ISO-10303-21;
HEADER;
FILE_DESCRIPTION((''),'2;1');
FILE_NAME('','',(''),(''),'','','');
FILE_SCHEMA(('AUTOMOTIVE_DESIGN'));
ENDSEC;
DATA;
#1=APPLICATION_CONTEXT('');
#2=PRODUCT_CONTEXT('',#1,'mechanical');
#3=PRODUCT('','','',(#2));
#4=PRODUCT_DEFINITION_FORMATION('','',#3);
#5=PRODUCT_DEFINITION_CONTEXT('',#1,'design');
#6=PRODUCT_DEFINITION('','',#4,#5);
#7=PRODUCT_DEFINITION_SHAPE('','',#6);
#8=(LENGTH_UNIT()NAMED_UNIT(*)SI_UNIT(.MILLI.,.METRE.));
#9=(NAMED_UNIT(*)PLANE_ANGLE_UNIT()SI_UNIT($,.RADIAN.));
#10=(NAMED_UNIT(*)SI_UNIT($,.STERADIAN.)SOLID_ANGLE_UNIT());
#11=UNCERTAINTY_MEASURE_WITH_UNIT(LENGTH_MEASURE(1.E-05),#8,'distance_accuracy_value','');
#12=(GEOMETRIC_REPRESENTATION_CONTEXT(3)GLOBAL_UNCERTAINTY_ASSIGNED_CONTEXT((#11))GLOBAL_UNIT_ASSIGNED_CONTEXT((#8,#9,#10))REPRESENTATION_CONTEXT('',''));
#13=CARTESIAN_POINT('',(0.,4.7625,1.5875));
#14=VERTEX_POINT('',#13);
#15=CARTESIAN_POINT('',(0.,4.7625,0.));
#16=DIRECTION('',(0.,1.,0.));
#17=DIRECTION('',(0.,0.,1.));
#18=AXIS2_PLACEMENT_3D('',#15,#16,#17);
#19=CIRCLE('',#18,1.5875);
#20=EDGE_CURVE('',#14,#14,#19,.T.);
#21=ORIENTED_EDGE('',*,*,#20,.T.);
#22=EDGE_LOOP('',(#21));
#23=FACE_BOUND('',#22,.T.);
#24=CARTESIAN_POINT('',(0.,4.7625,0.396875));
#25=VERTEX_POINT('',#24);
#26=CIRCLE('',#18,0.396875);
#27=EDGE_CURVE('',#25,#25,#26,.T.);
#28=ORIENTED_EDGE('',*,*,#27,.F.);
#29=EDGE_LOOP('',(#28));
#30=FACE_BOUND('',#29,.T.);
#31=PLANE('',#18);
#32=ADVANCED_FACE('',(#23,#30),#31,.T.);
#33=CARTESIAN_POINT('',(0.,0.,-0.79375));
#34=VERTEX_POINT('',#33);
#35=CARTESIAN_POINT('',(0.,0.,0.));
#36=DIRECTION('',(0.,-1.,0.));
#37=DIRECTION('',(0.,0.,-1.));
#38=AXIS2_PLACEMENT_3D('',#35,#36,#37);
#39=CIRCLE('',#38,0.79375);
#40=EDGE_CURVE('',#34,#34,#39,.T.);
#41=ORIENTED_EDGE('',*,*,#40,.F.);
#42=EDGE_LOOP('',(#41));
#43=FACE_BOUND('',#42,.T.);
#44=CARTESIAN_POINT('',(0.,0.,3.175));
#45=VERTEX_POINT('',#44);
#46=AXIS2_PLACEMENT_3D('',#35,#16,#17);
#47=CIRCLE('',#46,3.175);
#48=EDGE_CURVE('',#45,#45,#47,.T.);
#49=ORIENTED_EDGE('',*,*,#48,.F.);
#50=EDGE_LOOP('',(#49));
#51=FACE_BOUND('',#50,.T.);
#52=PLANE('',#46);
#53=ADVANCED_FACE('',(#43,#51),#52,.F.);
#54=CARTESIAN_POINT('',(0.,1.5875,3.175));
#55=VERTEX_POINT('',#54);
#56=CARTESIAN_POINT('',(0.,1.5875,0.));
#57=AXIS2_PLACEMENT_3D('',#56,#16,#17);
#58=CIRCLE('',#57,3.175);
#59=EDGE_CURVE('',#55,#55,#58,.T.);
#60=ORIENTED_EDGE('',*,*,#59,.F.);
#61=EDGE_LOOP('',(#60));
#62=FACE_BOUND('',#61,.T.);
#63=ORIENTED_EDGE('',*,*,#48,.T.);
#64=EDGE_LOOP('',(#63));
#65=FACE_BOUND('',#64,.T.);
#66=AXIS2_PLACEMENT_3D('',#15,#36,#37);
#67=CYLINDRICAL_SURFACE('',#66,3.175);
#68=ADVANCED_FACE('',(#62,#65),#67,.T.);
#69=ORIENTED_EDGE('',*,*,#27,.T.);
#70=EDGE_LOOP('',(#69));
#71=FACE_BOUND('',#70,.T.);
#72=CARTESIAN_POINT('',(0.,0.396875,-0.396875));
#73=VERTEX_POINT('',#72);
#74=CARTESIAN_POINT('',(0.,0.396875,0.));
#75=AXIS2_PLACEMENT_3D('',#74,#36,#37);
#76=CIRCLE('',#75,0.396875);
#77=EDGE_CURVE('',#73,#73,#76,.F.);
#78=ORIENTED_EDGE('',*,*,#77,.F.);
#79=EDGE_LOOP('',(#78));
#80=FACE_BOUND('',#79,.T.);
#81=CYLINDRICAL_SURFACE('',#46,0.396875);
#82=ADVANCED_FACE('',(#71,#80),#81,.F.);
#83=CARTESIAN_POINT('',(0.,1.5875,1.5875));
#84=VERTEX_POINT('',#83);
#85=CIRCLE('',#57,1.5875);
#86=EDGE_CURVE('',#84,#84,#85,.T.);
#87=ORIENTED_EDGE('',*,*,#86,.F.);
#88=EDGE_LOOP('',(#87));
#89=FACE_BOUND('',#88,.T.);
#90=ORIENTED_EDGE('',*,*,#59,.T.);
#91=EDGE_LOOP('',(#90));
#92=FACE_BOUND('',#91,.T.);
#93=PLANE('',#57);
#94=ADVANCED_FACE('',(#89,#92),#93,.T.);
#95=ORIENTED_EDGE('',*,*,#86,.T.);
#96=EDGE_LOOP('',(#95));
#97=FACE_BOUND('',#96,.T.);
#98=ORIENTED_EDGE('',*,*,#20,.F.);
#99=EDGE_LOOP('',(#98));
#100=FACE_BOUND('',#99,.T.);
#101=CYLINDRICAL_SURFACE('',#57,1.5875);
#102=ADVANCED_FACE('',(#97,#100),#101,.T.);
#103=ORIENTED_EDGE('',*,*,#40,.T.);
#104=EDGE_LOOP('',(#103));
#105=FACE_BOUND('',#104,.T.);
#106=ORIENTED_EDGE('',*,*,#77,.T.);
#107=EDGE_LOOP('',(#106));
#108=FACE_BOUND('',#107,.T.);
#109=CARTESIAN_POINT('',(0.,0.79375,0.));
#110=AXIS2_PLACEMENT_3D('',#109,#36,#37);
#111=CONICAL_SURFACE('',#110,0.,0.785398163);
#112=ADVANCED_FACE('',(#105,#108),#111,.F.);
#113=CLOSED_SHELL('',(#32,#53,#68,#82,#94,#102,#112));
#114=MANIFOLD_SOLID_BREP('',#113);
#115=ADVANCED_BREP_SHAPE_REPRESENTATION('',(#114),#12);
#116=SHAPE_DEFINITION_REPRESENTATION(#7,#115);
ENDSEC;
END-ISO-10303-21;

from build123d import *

# Parameters (mm, degrees)
SKETCH1_R           = 3.175
BOSS_EXTRUDE1_DEPTH = 4.7625
SKETCH2_R           = 3.175
SKETCH2_R_2         = 1.5875
CUT_EXTRUDE1_DEPTH  = 3.175
SKETCH3_R           = 0.396875
CUT_EXTRUDE2_DEPTH  = 5.7625


with BuildPart() as part:
    # Sketch1 → Boss-Extrude1 (new body)
    with BuildSketch(Plane(origin=(0, 0, 0), x_dir=(1, 0, 0), z_dir=(0, 1, 0))):
        Circle(SKETCH1_R)
    extrude(amount=BOSS_EXTRUDE1_DEPTH)

    # Sketch2 → Cut-Extrude1 (cut)
    with BuildSketch(Plane(origin=(0, 4.7625, 0), x_dir=(1, 0, 0), z_dir=(0, 1, 0))):
        Circle(SKETCH2_R)
        Circle(SKETCH2_R_2, mode=Mode.SUBTRACT)
    extrude(amount=-CUT_EXTRUDE1_DEPTH, mode=Mode.SUBTRACT)

    # Sketch3 → Cut-Extrude2 (cut, through all)
    with BuildSketch(Plane(origin=(0, 4.7625, 0), x_dir=(1, 0, 0), z_dir=(0, 1, 0))):
        Circle(SKETCH3_R)
    extrude(amount=-CUT_EXTRUDE2_DEPTH, mode=Mode.SUBTRACT)

    # Sketch4 → Cut-Revolve1 (revolve, cut)
    with BuildSketch(Plane(origin=(0, 0, 0), x_dir=(0, 0, -1), z_dir=(1, 0, 0))):
        Polygon((0, 0), (0, 0.79375), (-0.79375, 0), align=None)
    revolve(axis=Axis((0, 0, 0), (0, 1, 0)), mode=Mode.SUBTRACT)


solid = part.part
